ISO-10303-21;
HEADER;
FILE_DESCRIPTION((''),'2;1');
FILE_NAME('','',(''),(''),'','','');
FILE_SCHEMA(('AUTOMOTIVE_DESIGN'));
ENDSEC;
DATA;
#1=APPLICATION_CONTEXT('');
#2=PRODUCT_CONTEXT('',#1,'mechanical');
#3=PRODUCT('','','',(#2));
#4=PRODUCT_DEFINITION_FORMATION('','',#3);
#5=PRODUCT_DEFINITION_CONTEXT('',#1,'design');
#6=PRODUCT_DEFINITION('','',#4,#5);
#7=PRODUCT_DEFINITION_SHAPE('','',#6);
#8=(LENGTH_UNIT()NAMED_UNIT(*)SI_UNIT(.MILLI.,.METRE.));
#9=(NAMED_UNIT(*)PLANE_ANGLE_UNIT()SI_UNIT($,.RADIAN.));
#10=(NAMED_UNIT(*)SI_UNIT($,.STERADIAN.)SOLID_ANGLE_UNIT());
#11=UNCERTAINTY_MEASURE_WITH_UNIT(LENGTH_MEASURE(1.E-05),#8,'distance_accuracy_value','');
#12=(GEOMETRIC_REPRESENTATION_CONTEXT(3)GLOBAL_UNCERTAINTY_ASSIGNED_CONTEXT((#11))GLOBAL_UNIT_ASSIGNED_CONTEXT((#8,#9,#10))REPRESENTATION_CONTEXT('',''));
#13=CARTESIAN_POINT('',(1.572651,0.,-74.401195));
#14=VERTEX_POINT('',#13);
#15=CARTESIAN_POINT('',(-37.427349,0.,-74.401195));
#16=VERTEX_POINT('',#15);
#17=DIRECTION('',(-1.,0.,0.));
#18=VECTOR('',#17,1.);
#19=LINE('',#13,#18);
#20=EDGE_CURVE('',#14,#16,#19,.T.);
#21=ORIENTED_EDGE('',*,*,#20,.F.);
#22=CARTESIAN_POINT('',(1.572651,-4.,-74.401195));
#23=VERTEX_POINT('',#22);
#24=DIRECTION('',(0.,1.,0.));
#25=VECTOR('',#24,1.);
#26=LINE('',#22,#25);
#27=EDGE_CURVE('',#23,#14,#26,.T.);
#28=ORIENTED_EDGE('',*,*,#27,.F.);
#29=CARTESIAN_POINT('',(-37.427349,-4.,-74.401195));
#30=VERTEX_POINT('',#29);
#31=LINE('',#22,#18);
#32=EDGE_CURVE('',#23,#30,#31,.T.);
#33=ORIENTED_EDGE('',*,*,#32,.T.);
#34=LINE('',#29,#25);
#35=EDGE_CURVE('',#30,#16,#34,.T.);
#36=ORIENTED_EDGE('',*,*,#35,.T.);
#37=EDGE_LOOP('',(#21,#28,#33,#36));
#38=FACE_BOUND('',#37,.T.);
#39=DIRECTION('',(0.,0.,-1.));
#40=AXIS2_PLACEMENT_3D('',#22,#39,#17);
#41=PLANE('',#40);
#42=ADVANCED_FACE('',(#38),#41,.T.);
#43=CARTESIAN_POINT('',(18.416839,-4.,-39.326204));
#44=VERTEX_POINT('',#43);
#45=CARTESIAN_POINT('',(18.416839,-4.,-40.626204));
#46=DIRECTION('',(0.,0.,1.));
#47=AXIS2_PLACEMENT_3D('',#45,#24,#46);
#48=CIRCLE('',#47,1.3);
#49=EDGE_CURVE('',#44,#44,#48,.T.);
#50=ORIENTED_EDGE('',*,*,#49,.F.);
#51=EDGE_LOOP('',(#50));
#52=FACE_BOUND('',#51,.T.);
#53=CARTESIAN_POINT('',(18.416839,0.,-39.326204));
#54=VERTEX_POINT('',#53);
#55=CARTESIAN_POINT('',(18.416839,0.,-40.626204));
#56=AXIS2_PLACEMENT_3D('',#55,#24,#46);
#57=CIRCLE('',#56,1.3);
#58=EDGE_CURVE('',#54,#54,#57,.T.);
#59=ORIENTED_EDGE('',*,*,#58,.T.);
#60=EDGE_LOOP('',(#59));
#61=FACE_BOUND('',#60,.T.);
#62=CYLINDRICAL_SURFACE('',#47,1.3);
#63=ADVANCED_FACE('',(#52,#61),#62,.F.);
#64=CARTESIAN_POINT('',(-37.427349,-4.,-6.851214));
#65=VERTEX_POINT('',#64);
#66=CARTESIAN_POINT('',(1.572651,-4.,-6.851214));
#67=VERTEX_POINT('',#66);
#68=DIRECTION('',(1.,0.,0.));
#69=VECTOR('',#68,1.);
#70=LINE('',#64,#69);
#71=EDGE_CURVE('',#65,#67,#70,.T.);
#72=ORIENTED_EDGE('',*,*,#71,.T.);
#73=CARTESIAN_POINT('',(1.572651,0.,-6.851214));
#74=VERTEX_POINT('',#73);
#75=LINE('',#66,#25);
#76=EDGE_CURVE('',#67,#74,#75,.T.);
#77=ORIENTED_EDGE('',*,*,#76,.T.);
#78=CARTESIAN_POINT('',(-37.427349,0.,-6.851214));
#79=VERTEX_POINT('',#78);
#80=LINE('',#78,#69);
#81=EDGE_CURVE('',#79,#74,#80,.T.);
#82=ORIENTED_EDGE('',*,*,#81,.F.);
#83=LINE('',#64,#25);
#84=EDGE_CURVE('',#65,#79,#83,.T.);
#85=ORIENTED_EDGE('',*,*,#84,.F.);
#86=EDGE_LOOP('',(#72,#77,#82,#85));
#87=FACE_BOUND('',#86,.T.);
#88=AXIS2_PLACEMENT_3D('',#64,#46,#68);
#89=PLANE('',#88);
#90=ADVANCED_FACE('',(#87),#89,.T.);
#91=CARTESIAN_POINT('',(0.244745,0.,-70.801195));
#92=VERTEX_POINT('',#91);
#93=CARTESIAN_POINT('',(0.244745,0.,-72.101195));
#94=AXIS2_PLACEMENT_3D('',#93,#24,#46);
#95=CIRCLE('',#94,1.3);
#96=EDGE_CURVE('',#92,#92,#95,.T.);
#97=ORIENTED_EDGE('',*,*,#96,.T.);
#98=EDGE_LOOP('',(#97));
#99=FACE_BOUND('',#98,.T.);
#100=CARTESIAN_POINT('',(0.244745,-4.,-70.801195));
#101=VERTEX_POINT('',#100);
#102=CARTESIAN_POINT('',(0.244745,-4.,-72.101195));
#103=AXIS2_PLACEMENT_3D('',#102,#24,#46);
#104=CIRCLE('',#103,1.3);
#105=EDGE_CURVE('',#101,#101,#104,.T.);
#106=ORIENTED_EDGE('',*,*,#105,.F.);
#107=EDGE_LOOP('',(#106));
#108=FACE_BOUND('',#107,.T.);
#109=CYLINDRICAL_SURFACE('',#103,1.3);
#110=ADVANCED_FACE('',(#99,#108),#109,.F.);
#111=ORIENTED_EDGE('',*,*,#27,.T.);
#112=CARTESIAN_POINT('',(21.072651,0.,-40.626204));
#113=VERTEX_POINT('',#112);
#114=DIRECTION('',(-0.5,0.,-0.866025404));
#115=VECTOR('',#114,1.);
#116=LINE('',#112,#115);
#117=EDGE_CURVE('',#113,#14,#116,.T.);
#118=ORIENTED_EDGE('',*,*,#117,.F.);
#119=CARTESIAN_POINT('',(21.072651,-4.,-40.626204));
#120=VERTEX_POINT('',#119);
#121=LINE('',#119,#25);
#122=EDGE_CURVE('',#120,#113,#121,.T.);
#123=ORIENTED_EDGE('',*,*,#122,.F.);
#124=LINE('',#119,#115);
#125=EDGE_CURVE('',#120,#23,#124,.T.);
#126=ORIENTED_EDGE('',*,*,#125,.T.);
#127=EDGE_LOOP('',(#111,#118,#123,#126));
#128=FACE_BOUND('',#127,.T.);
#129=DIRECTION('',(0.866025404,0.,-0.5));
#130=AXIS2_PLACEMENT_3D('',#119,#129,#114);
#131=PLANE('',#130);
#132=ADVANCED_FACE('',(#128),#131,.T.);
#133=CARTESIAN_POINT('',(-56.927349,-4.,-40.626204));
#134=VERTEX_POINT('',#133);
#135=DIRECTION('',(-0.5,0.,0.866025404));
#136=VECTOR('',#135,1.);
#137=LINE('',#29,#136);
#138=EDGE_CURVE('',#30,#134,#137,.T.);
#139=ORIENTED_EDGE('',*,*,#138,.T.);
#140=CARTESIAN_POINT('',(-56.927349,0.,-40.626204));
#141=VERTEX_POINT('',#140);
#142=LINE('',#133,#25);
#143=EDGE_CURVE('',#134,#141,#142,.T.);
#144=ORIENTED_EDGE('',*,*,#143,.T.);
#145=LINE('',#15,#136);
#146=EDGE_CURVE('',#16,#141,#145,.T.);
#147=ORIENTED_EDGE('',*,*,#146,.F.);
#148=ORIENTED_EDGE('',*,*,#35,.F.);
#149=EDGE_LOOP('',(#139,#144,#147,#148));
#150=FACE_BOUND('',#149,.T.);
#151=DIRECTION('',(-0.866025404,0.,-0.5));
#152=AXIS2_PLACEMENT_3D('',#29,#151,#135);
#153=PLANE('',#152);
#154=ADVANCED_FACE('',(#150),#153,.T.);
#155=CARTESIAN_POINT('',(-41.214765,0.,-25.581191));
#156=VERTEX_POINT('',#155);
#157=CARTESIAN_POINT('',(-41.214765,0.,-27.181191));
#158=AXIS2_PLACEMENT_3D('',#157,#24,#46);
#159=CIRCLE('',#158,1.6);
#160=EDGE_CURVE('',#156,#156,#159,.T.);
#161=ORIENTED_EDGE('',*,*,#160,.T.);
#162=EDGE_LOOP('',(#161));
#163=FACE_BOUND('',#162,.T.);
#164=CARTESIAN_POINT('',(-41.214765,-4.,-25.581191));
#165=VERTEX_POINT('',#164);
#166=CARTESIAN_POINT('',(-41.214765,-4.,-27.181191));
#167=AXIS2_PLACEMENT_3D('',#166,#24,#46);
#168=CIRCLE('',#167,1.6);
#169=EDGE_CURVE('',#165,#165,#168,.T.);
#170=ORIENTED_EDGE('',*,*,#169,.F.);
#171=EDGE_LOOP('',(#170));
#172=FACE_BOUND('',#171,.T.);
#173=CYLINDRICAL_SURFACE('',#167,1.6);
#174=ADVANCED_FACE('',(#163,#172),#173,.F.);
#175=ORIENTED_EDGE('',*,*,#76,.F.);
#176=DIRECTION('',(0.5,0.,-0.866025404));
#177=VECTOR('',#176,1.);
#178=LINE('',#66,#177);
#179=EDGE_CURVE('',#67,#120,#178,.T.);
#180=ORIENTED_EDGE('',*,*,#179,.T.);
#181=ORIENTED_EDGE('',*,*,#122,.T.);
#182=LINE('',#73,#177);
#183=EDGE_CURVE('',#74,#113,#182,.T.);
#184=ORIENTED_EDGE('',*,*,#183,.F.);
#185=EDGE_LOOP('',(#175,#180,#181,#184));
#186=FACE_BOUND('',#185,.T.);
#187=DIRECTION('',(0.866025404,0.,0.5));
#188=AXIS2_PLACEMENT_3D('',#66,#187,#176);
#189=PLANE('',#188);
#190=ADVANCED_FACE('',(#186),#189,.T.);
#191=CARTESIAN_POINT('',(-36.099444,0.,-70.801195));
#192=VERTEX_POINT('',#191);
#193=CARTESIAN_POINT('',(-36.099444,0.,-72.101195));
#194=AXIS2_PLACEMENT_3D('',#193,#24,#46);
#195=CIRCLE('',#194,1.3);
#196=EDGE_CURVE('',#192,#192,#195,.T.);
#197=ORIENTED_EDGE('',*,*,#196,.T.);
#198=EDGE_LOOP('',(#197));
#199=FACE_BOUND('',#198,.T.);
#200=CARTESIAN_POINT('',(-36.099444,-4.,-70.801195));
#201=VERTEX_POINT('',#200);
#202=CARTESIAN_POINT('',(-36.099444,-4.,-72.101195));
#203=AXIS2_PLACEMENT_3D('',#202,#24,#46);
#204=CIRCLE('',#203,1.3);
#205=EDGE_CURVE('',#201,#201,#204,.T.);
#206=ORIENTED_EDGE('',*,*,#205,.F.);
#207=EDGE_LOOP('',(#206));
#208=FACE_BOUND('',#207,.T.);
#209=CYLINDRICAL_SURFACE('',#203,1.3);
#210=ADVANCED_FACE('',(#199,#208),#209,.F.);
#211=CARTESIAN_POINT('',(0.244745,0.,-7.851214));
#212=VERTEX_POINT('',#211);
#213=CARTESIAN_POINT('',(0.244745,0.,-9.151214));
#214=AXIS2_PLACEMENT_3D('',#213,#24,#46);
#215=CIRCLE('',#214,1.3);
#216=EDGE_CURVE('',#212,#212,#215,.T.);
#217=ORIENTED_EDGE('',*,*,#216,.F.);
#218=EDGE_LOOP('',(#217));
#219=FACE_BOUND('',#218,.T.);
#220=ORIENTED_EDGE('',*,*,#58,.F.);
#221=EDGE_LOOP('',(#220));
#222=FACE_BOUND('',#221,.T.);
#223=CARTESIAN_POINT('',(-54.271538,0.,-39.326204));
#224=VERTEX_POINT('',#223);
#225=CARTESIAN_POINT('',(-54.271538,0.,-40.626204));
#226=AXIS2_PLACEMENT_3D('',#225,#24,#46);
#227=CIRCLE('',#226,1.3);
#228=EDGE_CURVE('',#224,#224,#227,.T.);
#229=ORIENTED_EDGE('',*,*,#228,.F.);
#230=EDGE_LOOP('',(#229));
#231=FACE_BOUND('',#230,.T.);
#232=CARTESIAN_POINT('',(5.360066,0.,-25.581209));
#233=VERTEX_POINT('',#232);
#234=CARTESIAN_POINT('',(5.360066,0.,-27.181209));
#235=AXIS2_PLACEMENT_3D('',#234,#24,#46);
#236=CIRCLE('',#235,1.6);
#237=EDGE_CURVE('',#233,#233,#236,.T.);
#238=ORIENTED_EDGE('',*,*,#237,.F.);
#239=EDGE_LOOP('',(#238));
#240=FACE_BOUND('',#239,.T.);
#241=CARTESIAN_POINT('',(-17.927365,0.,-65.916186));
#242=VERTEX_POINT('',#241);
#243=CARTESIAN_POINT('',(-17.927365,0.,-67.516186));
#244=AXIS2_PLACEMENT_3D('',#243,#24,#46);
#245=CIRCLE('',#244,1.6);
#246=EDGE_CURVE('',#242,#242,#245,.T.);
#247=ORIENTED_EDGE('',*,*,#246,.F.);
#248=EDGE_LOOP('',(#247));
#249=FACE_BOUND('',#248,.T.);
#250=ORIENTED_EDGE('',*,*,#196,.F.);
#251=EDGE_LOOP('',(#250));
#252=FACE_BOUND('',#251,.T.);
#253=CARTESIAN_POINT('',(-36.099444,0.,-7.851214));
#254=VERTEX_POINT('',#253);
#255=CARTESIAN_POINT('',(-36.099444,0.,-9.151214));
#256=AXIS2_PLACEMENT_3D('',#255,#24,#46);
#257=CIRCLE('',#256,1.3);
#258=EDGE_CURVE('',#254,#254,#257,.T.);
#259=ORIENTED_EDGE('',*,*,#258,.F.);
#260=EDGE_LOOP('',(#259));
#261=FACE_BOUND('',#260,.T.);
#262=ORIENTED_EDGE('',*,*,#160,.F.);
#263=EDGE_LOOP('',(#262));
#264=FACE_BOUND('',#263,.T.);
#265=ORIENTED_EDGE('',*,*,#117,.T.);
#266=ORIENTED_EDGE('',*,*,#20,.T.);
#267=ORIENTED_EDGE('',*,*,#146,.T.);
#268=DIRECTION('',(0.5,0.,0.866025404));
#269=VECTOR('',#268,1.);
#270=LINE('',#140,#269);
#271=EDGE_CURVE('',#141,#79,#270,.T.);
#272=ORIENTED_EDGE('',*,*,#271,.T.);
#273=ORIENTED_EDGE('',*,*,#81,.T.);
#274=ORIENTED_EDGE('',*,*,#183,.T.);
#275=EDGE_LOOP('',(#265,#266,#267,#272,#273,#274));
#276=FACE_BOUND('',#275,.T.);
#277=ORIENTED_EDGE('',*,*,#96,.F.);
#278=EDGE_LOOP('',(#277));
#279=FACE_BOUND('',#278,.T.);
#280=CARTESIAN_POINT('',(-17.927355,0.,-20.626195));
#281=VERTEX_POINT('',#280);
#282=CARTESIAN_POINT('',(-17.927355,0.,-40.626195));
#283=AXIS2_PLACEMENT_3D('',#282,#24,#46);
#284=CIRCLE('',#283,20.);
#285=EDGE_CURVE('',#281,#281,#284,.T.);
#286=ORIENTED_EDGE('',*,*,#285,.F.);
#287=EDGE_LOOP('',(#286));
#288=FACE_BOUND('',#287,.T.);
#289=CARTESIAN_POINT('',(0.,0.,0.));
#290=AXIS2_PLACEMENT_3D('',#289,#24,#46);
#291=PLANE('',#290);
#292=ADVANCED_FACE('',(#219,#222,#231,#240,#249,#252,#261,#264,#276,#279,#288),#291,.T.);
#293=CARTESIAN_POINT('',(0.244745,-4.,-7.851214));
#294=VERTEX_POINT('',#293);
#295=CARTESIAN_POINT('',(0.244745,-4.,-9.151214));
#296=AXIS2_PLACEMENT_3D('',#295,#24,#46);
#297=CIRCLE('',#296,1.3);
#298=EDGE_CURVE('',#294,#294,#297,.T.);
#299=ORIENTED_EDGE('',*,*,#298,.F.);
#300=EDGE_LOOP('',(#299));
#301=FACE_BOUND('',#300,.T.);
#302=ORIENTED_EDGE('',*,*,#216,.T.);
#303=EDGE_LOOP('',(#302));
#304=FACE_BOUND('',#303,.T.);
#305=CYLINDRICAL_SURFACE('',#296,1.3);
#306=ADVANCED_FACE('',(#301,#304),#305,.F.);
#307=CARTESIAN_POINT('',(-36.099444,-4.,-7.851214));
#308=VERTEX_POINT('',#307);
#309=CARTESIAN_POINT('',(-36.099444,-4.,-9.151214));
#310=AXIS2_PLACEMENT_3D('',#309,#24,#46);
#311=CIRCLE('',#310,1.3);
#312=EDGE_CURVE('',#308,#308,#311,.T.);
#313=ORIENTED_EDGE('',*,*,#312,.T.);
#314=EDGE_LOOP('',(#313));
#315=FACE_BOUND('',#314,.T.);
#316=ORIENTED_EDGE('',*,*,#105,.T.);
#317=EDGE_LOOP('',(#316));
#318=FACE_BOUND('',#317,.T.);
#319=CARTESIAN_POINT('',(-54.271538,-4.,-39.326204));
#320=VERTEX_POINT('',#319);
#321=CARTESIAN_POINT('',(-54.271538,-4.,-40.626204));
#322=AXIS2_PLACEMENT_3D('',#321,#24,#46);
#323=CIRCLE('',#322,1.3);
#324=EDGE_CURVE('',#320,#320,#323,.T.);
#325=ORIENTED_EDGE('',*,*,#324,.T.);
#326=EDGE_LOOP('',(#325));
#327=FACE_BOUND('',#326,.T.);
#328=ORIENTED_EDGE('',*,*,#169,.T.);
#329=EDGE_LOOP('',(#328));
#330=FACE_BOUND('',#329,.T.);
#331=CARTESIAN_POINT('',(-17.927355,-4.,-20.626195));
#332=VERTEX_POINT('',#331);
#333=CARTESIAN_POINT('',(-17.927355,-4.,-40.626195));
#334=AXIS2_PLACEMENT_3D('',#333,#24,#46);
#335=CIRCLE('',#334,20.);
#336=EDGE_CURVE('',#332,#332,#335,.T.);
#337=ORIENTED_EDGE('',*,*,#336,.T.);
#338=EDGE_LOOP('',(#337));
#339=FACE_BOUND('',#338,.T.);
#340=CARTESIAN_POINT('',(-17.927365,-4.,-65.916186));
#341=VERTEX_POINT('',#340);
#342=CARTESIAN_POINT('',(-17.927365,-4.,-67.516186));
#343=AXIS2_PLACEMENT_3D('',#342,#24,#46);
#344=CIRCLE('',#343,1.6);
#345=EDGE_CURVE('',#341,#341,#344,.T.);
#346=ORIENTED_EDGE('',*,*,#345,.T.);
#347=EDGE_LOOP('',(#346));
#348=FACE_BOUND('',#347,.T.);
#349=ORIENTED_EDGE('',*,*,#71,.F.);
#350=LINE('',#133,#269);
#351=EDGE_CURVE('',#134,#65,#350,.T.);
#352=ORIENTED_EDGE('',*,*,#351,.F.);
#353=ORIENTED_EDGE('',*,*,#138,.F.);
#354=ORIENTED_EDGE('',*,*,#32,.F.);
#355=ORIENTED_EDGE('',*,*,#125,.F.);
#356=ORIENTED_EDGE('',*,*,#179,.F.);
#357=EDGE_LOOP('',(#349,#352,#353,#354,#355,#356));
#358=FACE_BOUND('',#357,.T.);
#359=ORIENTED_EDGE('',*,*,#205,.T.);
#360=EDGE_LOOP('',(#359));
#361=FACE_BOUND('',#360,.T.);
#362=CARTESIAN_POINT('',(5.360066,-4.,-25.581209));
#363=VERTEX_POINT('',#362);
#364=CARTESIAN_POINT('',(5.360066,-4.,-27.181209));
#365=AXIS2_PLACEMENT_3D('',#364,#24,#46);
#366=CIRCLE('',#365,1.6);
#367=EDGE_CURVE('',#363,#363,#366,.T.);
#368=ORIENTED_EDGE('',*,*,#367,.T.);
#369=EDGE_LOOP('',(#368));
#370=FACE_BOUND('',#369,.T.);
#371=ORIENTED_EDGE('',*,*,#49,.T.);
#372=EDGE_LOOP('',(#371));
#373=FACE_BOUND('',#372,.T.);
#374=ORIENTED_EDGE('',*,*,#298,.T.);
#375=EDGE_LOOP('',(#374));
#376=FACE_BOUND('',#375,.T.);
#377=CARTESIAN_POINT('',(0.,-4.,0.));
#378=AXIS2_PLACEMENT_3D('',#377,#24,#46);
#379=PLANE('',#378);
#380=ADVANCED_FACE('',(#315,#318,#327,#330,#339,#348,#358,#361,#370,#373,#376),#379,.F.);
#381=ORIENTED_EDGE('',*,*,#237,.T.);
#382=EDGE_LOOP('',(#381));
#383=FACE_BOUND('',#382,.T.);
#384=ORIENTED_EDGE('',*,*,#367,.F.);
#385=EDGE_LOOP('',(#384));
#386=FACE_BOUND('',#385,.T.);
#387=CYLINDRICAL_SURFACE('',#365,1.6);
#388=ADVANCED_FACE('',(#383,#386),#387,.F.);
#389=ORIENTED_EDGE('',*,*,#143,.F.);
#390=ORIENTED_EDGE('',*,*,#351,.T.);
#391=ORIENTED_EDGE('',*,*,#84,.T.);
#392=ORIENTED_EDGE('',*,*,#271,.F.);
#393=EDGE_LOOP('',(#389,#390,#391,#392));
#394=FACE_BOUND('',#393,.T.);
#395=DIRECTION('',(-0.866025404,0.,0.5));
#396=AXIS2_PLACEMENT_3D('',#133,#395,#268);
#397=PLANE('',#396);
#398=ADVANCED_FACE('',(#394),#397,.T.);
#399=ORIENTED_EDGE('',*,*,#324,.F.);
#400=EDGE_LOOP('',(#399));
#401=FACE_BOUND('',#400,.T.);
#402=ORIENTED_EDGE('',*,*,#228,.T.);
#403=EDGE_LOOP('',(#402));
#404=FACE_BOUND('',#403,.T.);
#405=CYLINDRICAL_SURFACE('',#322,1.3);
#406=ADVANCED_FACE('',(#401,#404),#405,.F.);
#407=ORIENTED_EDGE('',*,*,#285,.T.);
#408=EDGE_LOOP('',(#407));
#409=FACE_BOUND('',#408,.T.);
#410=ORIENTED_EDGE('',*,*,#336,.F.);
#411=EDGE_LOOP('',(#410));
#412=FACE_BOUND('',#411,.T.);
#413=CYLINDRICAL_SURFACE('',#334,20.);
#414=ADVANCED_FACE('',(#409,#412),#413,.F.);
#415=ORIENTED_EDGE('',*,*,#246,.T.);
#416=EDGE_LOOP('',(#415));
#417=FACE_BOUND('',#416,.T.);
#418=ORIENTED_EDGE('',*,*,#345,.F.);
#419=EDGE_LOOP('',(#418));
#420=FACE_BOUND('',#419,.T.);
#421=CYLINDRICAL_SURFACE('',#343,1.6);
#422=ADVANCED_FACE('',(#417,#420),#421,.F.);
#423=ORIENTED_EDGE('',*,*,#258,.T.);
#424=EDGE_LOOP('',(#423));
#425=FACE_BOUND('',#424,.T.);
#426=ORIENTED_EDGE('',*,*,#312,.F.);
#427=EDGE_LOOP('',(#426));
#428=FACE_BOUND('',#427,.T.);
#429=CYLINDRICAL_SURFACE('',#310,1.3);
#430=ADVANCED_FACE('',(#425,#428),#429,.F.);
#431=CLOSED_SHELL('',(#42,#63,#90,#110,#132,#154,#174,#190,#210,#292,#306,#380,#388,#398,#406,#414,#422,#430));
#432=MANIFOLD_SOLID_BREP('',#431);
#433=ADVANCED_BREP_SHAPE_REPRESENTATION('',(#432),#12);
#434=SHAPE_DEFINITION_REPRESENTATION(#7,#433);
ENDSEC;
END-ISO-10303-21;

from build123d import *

# Parameters (mm, degrees)
BOSS_EXTRUDE1_DEPTH = 4
SKETCH3_R           = 20
CUT_EXTRUDE1_DEPTH  = 4
SKETCH4_R           = 1.6
SKETCH4_R_2         = 1.3
CUT_EXTRUDE2_DEPTH  = 4


with BuildPart() as part:
    # Sketch2 → Boss-Extrude1 (new body)
    with BuildSketch(Plane(origin=(0, 0, 0), x_dir=(1, 0, 0), z_dir=(0, 1, 0))):
        Polygon((1.572650536, 74.401195204), (-37.427349464, 74.401195204), (-56.927349464, 40.626204456), (-37.427349464, 6.851213708), (1.572650536, 6.851213708), (21.072650536, 40.626204456), align=None)
    extrude(amount=-BOSS_EXTRUDE1_DEPTH)

    # Sketch3 → Cut-Extrude1 (cut)
    with BuildSketch(Plane(origin=(0, 0, 0), x_dir=(1, 0, 0), z_dir=(0, 1, 0))):
        with Locations(Location((-17.927354806, 40.626195204, 0), (0, 0, 270))):
            Circle(SKETCH3_R)
    extrude(amount=-CUT_EXTRUDE1_DEPTH, mode=Mode.SUBTRACT)

    # Sketch4 → Cut-Extrude2 (cut)
    with BuildSketch(Plane(origin=(0, 0, 0), x_dir=(1, 0, 0), z_dir=(0, 1, 0))):
        with Locations(Location((5.360065631, 27.181209082, 0), (0, 0, 270))):
            Circle(SKETCH4_R)
        with Locations(Location((0.244744901, 9.15121368, 0), (0, 0, 270))):
            Circle(SKETCH4_R_2)
        with Locations(Location((-36.099443845, 9.151213708, 0), (0, 0, 270))):
            Circle(SKETCH4_R_2)
        with Locations(Location((-41.214764559, 27.181190577, 0), (0, 0, 270))):
            Circle(SKETCH4_R)
        with Locations(Location((-17.927365489, 67.516185951, 0), (0, 0, 270))):
            Circle(SKETCH4_R)
        with Locations(Location((18.416839298, 40.626204456, 0), (0, 0, 270))):
            Circle(SKETCH4_R_2)
        with Locations(Location((0.244744917, 72.101195204, 0), (0, 0, 270))):
            Circle(SKETCH4_R_2)
        with Locations(Location((-54.271538226, 40.626204456, 0), (0, 0, 270))):
            Circle(SKETCH4_R_2)
        with Locations(Location((-36.099443845, 72.101195204, 0), (0, 0, 270))):
            Circle(SKETCH4_R_2)
    extrude(amount=-CUT_EXTRUDE2_DEPTH, mode=Mode.SUBTRACT)


solid = part.part
